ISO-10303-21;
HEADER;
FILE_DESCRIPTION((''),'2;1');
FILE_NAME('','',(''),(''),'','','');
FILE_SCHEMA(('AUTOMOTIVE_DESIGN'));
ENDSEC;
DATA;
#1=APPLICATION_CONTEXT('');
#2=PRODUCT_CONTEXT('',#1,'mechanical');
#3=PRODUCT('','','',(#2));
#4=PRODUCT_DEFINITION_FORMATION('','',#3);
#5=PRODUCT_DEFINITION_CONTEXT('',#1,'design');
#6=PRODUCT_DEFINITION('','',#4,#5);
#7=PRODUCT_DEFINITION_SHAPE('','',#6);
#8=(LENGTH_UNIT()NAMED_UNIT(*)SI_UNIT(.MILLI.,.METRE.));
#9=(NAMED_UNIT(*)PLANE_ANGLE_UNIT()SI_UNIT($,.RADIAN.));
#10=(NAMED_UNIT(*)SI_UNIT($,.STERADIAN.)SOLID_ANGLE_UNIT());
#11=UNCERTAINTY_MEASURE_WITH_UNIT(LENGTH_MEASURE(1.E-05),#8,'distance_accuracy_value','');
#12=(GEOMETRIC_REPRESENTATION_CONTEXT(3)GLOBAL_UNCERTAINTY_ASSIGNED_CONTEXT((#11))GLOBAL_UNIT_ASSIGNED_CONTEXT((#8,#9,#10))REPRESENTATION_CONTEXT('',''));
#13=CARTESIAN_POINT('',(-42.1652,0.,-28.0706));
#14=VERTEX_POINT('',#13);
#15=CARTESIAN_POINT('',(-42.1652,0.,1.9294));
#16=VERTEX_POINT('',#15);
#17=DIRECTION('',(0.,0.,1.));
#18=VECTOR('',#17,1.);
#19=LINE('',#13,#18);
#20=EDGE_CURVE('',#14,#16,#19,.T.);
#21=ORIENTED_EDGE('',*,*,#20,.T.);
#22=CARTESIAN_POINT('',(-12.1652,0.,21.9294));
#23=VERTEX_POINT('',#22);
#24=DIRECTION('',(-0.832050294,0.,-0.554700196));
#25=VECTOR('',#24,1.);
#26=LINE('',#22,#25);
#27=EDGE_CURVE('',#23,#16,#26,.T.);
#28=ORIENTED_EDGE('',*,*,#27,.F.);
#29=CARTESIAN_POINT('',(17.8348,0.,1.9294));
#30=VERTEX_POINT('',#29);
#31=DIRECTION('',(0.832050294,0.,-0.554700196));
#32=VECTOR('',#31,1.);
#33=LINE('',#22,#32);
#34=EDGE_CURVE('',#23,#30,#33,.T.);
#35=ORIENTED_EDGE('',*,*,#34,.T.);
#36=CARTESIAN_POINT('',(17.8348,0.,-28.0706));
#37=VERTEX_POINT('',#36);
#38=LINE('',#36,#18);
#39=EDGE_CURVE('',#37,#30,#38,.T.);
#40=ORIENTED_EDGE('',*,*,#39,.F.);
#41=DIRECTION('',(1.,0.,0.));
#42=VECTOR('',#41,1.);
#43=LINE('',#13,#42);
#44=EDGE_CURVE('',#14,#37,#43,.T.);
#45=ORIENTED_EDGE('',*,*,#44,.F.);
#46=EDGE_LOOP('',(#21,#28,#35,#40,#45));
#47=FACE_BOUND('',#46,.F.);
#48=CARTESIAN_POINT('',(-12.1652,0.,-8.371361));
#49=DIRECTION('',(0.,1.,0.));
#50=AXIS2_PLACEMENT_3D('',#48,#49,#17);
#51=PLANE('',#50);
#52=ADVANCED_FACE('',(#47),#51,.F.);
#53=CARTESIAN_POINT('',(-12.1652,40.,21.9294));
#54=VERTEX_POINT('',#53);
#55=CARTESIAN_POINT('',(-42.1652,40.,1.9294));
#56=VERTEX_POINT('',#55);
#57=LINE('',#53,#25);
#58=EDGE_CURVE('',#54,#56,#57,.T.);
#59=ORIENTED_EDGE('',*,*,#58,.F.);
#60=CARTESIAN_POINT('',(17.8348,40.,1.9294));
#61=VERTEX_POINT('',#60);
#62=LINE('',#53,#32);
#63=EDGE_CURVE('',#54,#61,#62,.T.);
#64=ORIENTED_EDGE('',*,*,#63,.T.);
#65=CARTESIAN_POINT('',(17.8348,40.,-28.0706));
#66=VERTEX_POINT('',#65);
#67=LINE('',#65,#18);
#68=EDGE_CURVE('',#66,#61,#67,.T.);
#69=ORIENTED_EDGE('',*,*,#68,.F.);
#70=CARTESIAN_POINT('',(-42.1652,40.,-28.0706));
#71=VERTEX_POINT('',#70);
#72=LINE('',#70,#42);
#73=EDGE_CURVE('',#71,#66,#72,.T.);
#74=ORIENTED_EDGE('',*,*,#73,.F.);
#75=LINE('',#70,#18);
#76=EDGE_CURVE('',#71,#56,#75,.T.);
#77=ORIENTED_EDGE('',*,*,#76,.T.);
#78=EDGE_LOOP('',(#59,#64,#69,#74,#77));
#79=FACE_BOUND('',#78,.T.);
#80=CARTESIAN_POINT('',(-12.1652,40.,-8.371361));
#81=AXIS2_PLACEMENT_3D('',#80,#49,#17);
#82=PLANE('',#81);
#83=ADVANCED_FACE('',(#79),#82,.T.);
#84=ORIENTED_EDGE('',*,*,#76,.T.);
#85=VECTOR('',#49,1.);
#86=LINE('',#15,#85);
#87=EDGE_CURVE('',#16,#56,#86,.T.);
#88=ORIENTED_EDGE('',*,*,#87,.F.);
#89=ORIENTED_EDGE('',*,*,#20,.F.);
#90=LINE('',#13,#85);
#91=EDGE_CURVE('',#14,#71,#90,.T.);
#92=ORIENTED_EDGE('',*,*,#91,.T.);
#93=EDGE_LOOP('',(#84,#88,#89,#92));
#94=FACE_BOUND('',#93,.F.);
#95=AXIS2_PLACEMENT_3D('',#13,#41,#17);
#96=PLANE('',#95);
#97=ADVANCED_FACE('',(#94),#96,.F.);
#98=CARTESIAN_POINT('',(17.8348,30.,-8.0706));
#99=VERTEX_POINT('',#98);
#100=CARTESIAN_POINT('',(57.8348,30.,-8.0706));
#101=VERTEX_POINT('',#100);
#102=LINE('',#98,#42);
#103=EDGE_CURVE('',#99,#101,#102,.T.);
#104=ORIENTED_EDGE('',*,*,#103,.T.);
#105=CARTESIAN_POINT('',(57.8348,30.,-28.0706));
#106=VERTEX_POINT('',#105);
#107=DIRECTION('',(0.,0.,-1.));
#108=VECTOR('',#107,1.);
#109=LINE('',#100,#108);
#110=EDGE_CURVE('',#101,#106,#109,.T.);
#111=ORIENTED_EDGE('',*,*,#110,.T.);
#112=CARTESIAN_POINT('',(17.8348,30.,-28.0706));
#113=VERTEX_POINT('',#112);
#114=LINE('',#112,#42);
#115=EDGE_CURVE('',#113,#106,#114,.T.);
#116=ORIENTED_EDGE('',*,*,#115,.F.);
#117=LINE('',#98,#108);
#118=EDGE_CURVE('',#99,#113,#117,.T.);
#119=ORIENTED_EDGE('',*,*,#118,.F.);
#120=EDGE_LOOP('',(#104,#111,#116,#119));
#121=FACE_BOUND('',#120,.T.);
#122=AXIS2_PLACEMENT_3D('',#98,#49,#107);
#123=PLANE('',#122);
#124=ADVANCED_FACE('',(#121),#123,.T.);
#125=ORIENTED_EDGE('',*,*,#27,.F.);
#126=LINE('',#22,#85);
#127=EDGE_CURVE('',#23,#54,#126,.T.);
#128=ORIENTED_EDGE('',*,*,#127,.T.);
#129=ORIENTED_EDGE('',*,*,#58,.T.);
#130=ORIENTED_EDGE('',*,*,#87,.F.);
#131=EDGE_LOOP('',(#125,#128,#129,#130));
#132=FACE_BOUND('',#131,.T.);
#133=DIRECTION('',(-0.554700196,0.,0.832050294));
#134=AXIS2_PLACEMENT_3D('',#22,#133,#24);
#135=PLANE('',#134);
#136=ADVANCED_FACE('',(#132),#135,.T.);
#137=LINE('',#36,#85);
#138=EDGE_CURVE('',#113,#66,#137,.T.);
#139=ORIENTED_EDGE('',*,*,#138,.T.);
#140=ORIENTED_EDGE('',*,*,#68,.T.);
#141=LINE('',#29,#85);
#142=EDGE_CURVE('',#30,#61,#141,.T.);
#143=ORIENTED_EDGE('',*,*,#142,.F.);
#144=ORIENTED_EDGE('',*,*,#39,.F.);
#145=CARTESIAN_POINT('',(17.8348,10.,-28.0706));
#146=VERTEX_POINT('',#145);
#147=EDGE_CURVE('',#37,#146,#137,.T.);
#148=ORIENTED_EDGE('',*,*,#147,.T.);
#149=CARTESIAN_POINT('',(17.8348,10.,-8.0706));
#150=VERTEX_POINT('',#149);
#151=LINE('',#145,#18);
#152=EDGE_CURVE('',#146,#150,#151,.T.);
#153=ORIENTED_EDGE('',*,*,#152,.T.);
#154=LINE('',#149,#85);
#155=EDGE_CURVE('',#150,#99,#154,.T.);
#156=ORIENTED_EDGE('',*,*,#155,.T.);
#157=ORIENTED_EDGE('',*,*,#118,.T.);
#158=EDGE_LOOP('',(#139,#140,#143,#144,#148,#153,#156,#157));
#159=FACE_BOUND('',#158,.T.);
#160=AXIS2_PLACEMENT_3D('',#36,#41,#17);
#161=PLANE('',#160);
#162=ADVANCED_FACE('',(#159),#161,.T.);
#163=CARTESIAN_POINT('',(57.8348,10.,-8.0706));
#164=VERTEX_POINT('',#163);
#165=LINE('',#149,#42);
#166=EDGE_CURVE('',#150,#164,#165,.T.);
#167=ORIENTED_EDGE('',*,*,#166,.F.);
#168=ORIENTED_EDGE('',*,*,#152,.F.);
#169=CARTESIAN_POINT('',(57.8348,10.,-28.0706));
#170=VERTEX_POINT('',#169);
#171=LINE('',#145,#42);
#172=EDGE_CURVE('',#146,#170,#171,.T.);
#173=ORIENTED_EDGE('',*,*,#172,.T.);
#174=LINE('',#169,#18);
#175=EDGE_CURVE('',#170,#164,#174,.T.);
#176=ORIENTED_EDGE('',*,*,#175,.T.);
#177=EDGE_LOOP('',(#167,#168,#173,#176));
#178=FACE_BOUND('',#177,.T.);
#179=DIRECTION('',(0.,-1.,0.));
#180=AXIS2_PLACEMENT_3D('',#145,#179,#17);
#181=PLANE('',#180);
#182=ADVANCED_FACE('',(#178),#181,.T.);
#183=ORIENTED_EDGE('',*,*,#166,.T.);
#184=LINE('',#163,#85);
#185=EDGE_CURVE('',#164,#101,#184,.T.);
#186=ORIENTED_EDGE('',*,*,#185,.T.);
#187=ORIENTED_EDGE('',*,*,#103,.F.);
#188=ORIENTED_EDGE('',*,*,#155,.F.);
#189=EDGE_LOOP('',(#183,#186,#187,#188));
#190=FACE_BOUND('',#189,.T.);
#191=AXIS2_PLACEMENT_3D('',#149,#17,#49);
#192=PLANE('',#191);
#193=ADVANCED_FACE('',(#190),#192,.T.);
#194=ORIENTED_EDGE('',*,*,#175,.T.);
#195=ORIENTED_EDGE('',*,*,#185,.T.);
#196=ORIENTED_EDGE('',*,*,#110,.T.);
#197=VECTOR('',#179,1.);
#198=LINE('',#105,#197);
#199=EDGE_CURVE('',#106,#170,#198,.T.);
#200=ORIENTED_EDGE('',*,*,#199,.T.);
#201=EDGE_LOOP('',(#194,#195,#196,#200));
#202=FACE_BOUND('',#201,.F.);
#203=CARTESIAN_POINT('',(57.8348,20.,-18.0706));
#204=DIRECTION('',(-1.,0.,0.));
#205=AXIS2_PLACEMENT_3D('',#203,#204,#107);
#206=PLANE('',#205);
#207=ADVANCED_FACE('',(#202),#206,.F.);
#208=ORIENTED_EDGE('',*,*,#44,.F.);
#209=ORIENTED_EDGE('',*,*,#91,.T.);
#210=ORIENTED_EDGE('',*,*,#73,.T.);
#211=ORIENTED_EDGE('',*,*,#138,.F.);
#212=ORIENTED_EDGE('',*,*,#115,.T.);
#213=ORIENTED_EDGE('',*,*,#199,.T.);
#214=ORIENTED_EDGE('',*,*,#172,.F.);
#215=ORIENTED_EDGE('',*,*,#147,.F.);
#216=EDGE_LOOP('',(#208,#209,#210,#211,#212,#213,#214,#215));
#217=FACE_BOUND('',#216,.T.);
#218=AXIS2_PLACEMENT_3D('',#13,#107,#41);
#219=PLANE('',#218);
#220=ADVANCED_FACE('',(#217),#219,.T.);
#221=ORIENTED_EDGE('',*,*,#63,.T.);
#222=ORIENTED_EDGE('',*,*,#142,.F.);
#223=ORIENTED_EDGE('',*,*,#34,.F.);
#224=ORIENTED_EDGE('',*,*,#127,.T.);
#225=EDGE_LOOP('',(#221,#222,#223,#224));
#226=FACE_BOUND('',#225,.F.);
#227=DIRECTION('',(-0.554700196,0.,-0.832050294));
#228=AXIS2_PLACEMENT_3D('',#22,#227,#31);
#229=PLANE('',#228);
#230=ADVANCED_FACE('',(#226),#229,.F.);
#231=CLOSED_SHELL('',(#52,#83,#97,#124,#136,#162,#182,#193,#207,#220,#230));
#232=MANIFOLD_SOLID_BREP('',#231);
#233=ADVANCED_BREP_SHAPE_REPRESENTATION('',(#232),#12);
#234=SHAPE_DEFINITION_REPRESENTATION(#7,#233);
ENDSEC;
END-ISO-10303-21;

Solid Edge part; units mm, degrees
sketch "Sketch1" plane through (0, 0, 0) normal (0, -1, 0) x (1, 0, 0)
  line L0 (-12.1652, 21.9294) -> (17.8348, 1.9294)
  line L1 (17.8348, -28.0706) -> (17.8348, 1.9294)
  line L2 (-42.1652, -28.0706) -> (17.8348, -28.0706)
  line L3 (-42.1652, -28.0706) -> (-42.1652, 1.9294)
  line L4 (-12.1652, 21.9294) -> (-42.1652, 1.9294)
extrude "Protrusion1" add sketch "Sketch1" against normal blind 40
sketch "Sketch2" plane through (17.8348, 20, -13.0706) normal (1, 0, 0) x (0, 1, 0)
  line L0 (-10, -15) -> (-10, 5)
  line L1 (-10, 5) -> (10, 5)
  line L2 (10, 5) -> (10, -15)
  line L3 (10, -15) -> (-10, -15)
extrude "ExtrudedProtrusion_2" add sketch "Sketch2" along normal blind 40
